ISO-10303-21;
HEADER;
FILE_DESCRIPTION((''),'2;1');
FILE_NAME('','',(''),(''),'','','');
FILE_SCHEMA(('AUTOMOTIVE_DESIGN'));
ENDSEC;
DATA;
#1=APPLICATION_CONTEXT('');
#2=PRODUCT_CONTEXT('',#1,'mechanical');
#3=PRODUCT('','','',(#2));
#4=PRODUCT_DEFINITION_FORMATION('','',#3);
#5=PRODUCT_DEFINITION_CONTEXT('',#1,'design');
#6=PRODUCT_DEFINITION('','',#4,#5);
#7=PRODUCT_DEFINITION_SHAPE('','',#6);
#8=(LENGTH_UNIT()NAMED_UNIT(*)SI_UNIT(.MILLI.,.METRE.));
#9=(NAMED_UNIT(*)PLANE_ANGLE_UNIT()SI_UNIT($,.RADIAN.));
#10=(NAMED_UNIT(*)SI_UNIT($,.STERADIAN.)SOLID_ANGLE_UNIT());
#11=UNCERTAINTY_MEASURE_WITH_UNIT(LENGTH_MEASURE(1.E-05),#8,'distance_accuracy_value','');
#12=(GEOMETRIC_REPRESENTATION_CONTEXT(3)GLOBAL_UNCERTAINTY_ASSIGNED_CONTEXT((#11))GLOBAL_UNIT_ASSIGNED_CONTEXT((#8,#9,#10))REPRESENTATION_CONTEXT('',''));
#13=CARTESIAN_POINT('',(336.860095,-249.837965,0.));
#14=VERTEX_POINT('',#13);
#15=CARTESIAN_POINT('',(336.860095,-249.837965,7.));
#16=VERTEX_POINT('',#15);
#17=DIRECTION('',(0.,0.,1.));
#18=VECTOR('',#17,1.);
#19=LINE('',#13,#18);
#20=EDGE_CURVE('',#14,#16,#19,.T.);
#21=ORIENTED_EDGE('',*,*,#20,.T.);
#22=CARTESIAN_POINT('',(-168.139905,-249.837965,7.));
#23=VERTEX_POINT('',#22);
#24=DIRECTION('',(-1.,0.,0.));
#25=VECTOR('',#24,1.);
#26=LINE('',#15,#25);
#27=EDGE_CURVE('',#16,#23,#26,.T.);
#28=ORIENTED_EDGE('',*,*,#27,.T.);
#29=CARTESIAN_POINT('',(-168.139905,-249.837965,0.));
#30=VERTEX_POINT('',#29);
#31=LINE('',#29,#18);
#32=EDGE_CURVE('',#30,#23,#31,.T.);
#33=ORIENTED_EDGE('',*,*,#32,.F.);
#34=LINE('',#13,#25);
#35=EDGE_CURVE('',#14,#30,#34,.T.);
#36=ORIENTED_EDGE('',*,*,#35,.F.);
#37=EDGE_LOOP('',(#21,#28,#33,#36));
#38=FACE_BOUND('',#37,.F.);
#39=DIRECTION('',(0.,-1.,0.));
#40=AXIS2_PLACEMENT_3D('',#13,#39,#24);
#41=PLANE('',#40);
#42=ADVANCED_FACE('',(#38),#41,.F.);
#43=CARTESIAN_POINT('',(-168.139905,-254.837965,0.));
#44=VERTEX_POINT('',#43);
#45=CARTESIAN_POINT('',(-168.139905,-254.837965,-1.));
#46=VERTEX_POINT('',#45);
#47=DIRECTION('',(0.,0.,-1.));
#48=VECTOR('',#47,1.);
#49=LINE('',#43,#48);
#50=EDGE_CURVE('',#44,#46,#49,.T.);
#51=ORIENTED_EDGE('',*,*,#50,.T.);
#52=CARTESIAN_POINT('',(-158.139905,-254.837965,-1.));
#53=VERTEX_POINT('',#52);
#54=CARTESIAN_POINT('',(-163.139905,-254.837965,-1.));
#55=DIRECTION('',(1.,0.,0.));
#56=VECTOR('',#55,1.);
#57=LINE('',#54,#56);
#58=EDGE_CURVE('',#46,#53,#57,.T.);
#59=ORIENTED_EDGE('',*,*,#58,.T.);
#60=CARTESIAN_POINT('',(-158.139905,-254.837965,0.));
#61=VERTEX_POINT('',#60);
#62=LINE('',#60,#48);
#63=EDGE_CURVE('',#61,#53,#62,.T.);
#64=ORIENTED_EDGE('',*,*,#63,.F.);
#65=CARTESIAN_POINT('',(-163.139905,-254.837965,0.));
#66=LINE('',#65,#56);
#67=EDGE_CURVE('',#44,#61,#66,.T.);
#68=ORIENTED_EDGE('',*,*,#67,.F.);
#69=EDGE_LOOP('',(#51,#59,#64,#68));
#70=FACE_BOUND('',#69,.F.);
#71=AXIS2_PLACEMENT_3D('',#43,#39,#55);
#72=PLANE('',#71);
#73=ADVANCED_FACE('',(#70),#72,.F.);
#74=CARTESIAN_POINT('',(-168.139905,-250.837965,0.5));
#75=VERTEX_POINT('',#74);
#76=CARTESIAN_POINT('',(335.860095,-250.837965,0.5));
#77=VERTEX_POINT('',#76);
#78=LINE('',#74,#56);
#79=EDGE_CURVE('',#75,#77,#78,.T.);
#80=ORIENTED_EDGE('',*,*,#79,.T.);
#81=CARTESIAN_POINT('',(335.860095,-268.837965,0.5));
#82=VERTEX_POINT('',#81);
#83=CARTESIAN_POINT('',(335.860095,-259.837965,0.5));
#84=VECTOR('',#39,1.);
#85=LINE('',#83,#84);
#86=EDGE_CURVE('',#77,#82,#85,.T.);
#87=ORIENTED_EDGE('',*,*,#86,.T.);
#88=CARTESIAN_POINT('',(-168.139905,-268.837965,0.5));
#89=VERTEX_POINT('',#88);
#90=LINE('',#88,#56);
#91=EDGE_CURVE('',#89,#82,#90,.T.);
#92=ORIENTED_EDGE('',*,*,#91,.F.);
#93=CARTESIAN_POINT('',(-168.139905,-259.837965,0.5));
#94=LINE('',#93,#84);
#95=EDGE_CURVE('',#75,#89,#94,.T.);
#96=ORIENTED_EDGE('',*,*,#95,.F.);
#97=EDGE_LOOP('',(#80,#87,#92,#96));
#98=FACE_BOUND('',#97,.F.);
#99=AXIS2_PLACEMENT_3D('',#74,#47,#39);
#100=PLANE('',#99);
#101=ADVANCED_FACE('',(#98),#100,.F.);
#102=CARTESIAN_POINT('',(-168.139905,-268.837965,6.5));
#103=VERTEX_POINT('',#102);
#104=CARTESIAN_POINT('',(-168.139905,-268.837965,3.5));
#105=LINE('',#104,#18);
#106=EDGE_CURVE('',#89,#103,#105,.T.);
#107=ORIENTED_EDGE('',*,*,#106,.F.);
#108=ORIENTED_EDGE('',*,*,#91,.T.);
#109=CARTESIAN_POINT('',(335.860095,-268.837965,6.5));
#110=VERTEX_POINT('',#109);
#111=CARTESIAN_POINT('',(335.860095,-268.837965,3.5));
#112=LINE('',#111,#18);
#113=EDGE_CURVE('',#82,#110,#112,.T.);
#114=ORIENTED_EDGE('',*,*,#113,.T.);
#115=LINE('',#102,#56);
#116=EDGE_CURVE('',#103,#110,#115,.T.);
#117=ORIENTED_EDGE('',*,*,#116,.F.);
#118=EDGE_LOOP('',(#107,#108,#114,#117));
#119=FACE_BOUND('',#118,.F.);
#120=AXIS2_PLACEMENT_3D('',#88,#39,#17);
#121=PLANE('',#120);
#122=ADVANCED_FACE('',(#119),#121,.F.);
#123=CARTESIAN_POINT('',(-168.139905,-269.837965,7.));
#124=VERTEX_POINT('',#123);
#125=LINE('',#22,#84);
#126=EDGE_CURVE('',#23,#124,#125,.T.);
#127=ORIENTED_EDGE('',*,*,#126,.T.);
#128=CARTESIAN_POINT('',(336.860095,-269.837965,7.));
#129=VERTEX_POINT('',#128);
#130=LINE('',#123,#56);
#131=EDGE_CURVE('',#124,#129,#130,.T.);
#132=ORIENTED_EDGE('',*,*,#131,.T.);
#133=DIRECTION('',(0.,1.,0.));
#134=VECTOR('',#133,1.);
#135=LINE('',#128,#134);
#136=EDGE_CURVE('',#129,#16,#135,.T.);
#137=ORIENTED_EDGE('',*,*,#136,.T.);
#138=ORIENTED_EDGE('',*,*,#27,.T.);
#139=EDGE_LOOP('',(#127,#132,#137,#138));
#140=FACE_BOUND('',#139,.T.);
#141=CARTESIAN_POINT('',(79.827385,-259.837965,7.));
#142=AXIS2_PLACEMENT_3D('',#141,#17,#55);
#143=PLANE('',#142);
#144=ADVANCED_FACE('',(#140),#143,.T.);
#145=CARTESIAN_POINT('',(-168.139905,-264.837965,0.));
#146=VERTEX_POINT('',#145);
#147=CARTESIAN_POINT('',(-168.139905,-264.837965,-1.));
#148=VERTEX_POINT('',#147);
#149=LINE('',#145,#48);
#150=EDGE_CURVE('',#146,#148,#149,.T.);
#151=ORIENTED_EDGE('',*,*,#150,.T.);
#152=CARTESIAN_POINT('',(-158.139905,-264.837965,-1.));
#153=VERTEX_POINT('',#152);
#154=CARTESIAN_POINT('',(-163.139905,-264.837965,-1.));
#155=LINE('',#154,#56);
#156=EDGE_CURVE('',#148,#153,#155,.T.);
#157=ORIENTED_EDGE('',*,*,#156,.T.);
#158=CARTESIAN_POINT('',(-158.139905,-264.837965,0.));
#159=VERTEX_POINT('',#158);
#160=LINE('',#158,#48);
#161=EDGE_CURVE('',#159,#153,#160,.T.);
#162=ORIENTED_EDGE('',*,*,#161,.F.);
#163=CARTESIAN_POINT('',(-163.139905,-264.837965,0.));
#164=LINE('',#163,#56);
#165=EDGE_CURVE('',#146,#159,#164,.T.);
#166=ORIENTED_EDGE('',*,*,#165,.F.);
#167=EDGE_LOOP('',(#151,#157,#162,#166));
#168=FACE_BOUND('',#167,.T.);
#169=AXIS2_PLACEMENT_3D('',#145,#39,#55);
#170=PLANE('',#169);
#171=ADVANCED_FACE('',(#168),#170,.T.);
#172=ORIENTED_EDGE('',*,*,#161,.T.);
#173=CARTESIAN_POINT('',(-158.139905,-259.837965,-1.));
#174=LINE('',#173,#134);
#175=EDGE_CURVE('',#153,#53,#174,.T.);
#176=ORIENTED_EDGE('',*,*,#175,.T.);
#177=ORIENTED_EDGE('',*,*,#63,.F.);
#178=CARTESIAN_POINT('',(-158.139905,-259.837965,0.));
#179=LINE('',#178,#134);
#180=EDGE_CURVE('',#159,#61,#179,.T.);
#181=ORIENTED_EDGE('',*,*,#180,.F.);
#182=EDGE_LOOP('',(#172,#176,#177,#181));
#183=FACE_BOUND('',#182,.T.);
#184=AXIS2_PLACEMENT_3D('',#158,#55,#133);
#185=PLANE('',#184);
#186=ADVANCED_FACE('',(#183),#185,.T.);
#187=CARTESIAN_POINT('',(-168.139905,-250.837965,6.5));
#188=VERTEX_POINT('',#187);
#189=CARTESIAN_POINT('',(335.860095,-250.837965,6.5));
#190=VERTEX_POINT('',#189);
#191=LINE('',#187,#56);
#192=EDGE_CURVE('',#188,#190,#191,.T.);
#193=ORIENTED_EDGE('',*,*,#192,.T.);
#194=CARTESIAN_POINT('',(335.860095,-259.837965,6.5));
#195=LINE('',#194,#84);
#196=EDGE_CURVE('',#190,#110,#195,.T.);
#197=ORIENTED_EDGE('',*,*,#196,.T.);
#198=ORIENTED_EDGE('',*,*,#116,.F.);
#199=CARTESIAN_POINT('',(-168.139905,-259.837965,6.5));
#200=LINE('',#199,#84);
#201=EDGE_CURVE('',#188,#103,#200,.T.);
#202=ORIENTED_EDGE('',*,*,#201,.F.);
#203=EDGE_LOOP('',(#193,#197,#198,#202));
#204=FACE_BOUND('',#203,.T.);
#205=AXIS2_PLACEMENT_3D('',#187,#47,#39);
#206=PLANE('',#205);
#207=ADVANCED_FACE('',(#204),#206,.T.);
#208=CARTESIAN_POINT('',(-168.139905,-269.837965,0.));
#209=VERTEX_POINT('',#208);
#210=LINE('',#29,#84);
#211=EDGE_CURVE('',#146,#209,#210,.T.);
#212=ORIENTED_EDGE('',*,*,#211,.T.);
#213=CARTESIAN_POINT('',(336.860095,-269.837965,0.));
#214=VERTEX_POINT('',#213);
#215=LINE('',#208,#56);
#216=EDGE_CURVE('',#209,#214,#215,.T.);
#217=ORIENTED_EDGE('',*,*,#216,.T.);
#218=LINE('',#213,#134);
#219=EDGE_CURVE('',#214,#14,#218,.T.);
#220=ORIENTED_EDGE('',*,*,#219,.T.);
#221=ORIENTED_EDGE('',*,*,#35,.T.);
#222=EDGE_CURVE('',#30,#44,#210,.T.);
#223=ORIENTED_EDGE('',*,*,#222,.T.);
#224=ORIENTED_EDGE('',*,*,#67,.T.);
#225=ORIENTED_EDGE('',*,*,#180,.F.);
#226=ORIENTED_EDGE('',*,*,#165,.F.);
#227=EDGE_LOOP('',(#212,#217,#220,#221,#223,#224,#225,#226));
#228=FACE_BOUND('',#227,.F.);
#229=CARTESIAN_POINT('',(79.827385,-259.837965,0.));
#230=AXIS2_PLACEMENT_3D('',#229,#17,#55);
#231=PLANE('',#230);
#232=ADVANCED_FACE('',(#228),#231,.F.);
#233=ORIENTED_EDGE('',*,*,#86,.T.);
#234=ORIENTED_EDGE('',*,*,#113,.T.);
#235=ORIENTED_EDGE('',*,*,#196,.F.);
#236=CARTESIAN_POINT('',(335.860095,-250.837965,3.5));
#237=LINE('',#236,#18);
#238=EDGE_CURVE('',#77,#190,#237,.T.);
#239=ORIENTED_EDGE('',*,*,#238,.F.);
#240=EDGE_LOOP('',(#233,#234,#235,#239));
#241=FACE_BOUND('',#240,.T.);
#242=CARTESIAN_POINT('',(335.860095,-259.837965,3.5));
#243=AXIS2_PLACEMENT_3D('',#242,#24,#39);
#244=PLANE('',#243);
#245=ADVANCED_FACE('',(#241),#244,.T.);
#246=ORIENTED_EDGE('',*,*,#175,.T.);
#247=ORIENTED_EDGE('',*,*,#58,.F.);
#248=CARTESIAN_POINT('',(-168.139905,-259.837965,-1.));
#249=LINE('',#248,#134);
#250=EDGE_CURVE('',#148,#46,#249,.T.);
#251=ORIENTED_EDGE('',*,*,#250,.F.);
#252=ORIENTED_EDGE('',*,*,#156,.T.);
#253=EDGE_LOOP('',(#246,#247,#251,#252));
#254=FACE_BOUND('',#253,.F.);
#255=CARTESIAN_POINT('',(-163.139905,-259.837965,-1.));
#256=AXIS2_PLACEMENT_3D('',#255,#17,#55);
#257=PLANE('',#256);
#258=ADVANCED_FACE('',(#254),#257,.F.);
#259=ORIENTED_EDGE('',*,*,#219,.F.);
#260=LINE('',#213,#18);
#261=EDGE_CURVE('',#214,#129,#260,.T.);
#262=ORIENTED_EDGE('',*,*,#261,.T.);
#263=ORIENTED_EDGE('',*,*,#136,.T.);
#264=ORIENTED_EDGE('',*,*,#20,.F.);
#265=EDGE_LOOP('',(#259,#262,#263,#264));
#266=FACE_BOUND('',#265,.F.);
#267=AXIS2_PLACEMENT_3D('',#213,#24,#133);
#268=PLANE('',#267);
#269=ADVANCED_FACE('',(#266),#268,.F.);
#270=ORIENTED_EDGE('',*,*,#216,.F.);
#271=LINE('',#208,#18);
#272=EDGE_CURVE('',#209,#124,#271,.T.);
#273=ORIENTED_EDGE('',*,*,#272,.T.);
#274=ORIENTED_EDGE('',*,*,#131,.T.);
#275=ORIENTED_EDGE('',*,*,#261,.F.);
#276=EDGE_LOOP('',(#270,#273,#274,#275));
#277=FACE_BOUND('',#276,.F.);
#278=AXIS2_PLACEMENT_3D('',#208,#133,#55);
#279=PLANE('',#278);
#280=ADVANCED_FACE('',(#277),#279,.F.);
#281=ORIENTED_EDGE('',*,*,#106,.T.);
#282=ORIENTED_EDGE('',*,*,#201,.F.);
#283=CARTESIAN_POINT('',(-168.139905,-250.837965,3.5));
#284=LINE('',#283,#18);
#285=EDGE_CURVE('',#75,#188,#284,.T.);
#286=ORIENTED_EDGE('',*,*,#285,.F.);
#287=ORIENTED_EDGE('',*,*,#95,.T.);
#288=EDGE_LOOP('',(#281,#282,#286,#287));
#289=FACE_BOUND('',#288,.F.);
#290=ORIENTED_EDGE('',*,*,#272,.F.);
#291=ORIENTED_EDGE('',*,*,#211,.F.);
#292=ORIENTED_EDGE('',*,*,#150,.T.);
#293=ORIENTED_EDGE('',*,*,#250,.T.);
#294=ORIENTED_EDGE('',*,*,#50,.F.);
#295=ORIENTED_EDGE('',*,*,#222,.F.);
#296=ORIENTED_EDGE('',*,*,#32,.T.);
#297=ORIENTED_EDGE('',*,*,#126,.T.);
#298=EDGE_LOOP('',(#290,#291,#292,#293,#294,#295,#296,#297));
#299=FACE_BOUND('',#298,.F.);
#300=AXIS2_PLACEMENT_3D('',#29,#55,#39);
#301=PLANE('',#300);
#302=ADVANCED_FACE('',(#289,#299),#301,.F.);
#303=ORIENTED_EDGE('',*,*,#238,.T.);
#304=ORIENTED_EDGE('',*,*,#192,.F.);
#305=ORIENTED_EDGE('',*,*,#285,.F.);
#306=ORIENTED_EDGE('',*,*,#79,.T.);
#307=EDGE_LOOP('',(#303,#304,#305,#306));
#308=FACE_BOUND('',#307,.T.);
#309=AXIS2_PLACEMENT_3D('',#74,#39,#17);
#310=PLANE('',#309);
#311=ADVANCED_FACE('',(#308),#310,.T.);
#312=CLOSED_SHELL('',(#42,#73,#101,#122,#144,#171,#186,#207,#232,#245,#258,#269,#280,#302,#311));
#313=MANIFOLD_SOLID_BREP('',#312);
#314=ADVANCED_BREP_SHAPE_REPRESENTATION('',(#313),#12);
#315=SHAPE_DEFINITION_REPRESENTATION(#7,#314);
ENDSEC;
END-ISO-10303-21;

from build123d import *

# Parameters (mm, degrees)
F0_W     = 10
F0_H     = 10
F1_DEPTH = 7
F2_DEPTH = 1
F3_W     = 18
F3_H     = 6
F4_DEPTH = 504


with BuildPart() as f1:
    # F0 (on Top) → F1 (new body)
    with BuildSketch(Plane.XY):
        Polygon((336.860095, -249.837965), (-168.139905, -249.837965), (-168.139905, -254.837965), (-158.139905, -254.837965), (-158.139905, -264.837965), (-168.139905, -264.837965), (-168.139905, -269.837965), (336.860095, -269.837965), align=None)
        with Locations((-163.139905, -259.837965)):
            Rectangle(F0_W, F0_H)
    extrude(amount=F1_DEPTH)

    # F0 (on Top) → F2 (join)
    with BuildSketch(Plane.XY):
        with Locations((-163.139905, -259.837965)):
            Rectangle(F0_W, F0_H)
    extrude(amount=-F2_DEPTH)

    # F3 (on face) → F4 (cut)
    with BuildSketch(Plane(origin=(-168.139905, 0, 0), x_dir=(0, -1, 0), z_dir=(-1, 0, 0))):
        with Locations((259.837965, 3.5)):
            Rectangle(F3_W, F3_H)
    extrude(amount=-F4_DEPTH, mode=Mode.SUBTRACT)


solid = f1.part
